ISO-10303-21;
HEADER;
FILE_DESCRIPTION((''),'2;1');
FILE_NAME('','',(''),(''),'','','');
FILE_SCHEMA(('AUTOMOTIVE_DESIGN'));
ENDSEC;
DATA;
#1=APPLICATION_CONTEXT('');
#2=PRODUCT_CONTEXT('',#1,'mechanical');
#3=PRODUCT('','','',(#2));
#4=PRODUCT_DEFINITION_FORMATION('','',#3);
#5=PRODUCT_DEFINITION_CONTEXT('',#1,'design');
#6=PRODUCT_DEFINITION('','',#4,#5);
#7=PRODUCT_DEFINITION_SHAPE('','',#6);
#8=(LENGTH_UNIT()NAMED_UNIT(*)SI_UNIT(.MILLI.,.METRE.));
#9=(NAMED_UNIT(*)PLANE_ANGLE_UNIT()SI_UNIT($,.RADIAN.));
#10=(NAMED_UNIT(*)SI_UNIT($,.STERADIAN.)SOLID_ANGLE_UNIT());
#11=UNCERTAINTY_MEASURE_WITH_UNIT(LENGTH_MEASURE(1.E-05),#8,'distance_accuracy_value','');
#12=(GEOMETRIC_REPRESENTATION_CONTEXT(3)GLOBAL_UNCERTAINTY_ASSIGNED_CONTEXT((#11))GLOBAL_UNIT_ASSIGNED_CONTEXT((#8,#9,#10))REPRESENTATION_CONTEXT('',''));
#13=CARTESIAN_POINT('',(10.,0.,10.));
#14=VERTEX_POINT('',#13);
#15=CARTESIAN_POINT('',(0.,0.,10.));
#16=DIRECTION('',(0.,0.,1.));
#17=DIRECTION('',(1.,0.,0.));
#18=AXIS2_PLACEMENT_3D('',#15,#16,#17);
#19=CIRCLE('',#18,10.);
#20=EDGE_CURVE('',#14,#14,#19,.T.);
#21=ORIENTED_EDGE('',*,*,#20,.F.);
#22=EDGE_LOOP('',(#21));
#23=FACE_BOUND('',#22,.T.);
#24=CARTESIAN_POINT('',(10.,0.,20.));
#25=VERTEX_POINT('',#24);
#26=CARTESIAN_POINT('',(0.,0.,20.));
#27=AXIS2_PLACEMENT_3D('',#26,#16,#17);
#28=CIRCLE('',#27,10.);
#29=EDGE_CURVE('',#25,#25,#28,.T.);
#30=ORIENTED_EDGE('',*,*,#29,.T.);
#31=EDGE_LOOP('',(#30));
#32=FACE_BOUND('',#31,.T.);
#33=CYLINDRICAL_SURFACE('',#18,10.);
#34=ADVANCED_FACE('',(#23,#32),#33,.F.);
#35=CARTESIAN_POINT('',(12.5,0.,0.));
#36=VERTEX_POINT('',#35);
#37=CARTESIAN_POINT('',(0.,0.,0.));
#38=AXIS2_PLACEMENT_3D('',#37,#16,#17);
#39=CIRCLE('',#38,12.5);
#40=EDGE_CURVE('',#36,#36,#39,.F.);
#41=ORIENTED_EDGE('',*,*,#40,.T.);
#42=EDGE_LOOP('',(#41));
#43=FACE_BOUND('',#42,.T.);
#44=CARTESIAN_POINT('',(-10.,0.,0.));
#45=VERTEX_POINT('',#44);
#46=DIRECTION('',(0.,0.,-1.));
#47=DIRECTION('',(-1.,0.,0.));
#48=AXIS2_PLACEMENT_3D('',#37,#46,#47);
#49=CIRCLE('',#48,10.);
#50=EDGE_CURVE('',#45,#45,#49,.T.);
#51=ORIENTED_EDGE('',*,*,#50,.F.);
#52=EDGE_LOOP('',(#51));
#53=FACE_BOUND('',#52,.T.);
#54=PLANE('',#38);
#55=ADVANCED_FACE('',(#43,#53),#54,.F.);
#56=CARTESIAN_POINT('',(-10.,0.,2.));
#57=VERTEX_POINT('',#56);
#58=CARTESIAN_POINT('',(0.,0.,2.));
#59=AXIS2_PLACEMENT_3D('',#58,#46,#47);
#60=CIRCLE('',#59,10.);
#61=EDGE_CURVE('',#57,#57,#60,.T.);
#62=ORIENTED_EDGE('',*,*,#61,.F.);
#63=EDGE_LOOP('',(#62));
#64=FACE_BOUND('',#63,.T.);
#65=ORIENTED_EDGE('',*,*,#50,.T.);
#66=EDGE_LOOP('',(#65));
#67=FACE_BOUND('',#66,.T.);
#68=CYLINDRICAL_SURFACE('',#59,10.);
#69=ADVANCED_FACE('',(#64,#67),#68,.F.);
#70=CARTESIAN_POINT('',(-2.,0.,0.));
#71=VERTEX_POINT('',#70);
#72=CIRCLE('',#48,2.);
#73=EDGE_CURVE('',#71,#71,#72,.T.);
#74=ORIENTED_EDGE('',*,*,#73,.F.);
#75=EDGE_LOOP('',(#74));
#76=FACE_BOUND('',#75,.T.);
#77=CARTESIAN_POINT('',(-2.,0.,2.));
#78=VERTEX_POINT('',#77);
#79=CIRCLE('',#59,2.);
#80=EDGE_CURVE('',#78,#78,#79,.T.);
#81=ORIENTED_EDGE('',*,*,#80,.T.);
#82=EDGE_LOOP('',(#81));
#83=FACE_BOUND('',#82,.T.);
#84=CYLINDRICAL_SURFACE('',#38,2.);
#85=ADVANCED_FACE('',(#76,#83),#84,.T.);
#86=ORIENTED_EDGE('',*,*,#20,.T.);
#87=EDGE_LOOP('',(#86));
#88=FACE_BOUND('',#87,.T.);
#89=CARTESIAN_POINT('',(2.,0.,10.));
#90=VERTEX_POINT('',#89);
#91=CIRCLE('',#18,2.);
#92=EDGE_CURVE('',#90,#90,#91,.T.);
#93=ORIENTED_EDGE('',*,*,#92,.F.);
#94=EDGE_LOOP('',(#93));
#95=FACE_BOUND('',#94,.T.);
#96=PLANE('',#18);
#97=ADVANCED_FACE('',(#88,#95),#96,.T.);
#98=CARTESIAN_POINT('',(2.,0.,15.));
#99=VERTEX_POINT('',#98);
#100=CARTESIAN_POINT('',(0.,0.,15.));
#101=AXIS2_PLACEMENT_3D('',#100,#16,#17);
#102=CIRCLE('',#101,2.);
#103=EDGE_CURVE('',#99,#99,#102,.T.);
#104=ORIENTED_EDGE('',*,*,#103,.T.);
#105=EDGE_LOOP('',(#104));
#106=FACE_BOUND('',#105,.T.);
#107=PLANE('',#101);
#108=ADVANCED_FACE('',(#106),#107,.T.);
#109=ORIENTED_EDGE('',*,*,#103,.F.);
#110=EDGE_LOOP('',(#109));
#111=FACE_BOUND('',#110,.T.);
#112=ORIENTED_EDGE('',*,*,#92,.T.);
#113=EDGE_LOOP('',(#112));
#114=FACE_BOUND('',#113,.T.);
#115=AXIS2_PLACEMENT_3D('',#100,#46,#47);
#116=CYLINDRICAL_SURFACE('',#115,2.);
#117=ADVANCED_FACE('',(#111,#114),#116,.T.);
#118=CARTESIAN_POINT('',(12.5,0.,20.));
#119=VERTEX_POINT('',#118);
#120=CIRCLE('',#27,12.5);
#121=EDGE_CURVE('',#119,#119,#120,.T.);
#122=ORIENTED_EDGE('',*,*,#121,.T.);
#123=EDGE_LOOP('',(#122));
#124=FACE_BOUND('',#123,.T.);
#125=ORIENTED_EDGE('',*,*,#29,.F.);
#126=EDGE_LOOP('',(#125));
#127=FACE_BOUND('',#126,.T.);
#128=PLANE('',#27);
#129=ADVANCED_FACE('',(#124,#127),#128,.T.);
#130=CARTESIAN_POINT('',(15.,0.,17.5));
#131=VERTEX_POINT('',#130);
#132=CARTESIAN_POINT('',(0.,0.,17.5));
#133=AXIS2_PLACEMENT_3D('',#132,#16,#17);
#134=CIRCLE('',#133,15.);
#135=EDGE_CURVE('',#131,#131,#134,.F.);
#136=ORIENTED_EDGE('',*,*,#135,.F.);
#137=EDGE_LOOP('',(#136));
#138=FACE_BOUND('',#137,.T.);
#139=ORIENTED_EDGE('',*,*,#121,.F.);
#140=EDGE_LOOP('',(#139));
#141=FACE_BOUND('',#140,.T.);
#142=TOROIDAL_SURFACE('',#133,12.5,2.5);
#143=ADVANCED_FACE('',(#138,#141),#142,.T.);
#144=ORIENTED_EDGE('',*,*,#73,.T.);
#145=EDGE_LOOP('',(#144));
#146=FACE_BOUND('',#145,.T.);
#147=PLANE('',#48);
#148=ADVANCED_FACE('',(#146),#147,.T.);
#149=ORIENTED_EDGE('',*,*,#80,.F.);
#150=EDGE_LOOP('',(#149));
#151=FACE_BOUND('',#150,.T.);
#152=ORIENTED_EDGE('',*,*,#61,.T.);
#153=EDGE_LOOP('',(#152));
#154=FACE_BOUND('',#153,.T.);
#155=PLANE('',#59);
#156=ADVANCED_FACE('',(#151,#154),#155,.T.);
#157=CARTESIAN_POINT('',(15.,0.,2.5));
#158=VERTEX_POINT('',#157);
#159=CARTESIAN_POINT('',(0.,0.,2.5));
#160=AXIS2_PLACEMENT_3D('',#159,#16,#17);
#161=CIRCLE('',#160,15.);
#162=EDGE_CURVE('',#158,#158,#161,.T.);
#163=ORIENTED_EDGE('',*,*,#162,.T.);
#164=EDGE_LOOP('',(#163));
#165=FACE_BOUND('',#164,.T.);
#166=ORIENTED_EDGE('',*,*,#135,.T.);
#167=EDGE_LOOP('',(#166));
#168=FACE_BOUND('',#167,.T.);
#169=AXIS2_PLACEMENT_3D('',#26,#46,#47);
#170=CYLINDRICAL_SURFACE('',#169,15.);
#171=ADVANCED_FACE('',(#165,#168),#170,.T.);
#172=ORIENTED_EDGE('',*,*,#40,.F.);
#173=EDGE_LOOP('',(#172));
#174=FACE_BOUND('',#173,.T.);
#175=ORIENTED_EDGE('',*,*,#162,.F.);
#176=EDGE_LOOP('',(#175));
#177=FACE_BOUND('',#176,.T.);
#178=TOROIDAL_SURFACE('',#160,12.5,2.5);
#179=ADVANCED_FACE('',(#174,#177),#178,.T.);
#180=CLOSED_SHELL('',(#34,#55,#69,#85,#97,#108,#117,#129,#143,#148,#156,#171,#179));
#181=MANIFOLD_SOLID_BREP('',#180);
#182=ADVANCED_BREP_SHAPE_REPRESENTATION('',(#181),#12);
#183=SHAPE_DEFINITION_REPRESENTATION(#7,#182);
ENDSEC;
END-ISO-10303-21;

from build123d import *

# Parameters (mm, degrees)
SKETCH1_R           = 15
BOSS_EXTRUDE1_DEPTH = 20
SKETCH2_R           = 10
CUT_EXTRUDE1_DEPTH  = 10
CUT_EXTRUDE3_START  = -2
SKETCH3_R           = 10
CUT_EXTRUDE3_DEPTH  = 2
SKETCH4_R           = 2
BOSS_EXTRUDE2_DEPTH = 5
BOSS_EXTRUDE3_START = 2
SKETCH5_R           = 2
BOSS_EXTRUDE3_DEPTH = 2
FILLET2_R           = 2.5
FILLET3_R           = 2.5


with BuildPart() as part:
    # Sketch1 → Boss-Extrude1 (new body)
    with BuildSketch(Plane.XY):
        Circle(SKETCH1_R)
    extrude(amount=BOSS_EXTRUDE1_DEPTH)

    # Sketch2 → Cut-Extrude1 (cut)
    with BuildSketch(Plane.XY.offset(20)):
        Circle(SKETCH2_R)
    extrude(amount=-CUT_EXTRUDE1_DEPTH, mode=Mode.SUBTRACT)

    # Sketch3 → Cut-Extrude3 (cut)
    with BuildSketch(Plane(origin=(0, 0, 0), x_dir=(-1, 0, 0), z_dir=(0, 0, -1)).offset(CUT_EXTRUDE3_START)):
        Circle(SKETCH3_R)
    extrude(amount=CUT_EXTRUDE3_DEPTH, mode=Mode.SUBTRACT)

    # Sketch4 → Boss-Extrude2 (add)
    with BuildSketch(Plane.XY.offset(10)):
        Circle(SKETCH4_R)
    extrude(amount=BOSS_EXTRUDE2_DEPTH)

    # Sketch5 → Boss-Extrude3 (add)
    with BuildSketch(Plane(origin=(0, 0, 2), x_dir=(-1, 0, 0), z_dir=(0, 0, -1)).offset(BOSS_EXTRUDE3_START)):
        Circle(SKETCH5_R)
    extrude(amount=-BOSS_EXTRUDE3_DEPTH)

    # Fillet2
    fillet2_edges = [part.edges().sort_by_distance(p)[0] for p in [
        (-15, 0, 20),
    ]]
    fillet(fillet2_edges, radius=FILLET2_R)

    # Fillet3
    fillet3_edges = [part.edges().sort_by_distance(p)[0] for p in [
        (-15, 0, 0),
    ]]
    fillet(fillet3_edges, radius=FILLET3_R)


solid = part.part
